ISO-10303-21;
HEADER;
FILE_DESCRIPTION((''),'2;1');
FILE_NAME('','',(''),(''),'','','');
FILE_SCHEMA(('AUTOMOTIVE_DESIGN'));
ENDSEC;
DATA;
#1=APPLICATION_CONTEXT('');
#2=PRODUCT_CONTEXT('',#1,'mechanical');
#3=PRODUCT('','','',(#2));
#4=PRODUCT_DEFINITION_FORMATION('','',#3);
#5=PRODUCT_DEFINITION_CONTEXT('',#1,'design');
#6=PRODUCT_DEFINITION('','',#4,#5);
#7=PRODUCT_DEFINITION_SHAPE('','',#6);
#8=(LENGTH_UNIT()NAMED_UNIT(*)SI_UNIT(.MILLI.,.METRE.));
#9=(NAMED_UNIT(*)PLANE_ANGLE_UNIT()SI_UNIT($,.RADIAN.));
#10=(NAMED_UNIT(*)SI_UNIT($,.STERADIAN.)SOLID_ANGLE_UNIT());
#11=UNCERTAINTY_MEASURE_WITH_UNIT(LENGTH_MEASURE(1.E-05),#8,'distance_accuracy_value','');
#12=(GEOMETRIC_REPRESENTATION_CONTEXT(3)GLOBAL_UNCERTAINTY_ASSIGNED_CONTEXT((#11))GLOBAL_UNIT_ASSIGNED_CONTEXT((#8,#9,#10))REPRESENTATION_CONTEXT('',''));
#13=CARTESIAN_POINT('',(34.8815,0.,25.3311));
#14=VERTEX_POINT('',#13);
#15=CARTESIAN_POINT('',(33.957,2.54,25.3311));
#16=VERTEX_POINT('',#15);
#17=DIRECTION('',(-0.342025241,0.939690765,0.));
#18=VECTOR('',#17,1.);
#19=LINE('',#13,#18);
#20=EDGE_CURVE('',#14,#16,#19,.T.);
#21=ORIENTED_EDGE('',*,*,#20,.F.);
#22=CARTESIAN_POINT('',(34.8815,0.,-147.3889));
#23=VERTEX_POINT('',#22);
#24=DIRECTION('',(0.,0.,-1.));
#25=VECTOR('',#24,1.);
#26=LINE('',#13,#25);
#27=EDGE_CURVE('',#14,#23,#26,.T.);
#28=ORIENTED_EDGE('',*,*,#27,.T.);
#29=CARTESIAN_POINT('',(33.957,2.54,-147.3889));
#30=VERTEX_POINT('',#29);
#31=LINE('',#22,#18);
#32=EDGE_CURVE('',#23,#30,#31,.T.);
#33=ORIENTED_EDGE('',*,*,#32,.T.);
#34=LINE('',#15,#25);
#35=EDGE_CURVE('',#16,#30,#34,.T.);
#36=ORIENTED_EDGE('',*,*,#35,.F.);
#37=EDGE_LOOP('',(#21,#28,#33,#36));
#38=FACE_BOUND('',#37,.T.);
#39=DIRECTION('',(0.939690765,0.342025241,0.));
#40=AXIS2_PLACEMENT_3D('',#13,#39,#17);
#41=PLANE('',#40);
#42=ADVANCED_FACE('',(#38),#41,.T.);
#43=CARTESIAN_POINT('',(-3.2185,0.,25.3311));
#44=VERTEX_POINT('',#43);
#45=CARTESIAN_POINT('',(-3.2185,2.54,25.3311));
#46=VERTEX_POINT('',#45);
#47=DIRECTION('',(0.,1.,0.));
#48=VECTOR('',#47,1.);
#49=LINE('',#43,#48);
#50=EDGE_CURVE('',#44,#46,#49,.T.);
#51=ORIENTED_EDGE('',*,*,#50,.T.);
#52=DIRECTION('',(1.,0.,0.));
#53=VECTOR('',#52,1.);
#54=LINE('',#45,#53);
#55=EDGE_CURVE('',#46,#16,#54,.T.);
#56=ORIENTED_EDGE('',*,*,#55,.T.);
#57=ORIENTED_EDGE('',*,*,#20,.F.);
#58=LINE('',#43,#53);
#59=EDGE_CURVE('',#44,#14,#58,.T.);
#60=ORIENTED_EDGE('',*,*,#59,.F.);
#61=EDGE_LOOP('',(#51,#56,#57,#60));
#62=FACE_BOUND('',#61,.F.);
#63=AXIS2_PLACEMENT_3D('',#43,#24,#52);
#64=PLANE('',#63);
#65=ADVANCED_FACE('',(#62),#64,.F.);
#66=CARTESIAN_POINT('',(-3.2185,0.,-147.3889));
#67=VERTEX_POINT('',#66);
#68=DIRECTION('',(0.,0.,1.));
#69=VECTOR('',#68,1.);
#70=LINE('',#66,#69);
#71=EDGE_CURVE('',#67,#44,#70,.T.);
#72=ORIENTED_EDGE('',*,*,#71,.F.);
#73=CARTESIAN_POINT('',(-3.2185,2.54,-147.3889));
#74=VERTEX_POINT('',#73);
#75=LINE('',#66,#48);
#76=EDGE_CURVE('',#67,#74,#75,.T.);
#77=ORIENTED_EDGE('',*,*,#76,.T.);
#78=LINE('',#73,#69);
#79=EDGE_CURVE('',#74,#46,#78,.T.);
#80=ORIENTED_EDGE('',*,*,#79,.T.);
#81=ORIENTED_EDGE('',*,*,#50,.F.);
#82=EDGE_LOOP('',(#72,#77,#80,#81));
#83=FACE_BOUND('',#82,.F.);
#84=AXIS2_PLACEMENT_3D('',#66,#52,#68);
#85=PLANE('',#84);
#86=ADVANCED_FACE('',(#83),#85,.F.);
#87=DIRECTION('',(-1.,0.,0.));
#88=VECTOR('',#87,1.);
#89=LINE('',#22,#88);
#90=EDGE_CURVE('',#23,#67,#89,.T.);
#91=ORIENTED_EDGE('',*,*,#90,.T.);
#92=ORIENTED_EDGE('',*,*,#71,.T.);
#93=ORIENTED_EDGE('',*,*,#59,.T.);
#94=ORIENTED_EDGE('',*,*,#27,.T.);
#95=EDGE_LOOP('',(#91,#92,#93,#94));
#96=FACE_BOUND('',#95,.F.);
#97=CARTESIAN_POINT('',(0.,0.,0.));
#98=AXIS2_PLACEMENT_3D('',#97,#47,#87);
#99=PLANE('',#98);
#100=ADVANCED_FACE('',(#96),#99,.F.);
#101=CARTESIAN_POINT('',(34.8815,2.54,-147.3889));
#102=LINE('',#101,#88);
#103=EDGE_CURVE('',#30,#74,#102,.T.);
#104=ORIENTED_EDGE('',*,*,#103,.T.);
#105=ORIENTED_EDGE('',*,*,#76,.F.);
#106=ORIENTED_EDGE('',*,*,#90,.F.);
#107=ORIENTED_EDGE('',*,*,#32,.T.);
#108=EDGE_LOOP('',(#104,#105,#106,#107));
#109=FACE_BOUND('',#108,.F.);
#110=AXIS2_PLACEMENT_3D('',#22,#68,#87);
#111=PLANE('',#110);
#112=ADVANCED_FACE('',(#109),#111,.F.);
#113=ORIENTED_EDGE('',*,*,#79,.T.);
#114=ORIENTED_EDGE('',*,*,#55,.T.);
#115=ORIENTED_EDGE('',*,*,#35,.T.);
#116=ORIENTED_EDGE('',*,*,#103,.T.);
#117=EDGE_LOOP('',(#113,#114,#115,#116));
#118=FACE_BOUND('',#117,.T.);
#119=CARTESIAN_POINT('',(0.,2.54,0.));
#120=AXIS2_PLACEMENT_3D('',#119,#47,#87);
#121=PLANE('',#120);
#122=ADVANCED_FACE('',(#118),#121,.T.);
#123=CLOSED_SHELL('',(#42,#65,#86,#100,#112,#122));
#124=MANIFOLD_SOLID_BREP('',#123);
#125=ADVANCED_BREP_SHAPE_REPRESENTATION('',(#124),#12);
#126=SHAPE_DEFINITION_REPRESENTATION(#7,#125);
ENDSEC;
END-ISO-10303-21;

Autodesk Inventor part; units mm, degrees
ref_plane "YZ Plane" through (0, 0, 0) normal (1, 0, 0) x (0, 1, 0)
ref_plane "XZ Plane" through (0, 0, 0) normal (0, 1, 0) x (-1, 0, 0)
ref_plane "XY Plane" through (0, 0, 0) normal (0, 0, 1) x (1, 0, 0)
sketch "Sketch1" plane through (0, 0, 0) normal (0, 1, 0) x (-1, 0, 0)
  line L0 (3.2185, 25.3311) -> (-34.8815, 25.3311)
  line L1 (-34.8815, 25.3311) -> (-34.8815, -147.3889)
  line L2 (-34.8815, -147.3889) -> (3.2185, -147.3889)
  line L3 (3.2185, -147.3889) -> (3.2185, 25.3311)
  point P0 (0, 0)
  dimension "d0" = 38.1
  dimension "d1" = 172.72
extrude "Extrusion1" add sketch "Sketch1" along normal blind 2.54
sketch "Sketch2" plane through (-3.2185, 0, 25.3311) normal (0, 0, 1) x (1, 0, 0)
  line L0 (38.1, 0) -> (0, 0) projected
  line L1 (38.1, 0) -> (37.1755, 2.54)
  line L2 (38.1, 2.54) -> (0, 2.54) projected
  line L3 (38.1, 0) -> (38.1, 2.54) projected
  point P0 (3.2185, 0)
  dimension "d4" = 20
extrude "Extrusion2" cut sketch "Sketch2" against normal blind 172.72
properties part number "top"
